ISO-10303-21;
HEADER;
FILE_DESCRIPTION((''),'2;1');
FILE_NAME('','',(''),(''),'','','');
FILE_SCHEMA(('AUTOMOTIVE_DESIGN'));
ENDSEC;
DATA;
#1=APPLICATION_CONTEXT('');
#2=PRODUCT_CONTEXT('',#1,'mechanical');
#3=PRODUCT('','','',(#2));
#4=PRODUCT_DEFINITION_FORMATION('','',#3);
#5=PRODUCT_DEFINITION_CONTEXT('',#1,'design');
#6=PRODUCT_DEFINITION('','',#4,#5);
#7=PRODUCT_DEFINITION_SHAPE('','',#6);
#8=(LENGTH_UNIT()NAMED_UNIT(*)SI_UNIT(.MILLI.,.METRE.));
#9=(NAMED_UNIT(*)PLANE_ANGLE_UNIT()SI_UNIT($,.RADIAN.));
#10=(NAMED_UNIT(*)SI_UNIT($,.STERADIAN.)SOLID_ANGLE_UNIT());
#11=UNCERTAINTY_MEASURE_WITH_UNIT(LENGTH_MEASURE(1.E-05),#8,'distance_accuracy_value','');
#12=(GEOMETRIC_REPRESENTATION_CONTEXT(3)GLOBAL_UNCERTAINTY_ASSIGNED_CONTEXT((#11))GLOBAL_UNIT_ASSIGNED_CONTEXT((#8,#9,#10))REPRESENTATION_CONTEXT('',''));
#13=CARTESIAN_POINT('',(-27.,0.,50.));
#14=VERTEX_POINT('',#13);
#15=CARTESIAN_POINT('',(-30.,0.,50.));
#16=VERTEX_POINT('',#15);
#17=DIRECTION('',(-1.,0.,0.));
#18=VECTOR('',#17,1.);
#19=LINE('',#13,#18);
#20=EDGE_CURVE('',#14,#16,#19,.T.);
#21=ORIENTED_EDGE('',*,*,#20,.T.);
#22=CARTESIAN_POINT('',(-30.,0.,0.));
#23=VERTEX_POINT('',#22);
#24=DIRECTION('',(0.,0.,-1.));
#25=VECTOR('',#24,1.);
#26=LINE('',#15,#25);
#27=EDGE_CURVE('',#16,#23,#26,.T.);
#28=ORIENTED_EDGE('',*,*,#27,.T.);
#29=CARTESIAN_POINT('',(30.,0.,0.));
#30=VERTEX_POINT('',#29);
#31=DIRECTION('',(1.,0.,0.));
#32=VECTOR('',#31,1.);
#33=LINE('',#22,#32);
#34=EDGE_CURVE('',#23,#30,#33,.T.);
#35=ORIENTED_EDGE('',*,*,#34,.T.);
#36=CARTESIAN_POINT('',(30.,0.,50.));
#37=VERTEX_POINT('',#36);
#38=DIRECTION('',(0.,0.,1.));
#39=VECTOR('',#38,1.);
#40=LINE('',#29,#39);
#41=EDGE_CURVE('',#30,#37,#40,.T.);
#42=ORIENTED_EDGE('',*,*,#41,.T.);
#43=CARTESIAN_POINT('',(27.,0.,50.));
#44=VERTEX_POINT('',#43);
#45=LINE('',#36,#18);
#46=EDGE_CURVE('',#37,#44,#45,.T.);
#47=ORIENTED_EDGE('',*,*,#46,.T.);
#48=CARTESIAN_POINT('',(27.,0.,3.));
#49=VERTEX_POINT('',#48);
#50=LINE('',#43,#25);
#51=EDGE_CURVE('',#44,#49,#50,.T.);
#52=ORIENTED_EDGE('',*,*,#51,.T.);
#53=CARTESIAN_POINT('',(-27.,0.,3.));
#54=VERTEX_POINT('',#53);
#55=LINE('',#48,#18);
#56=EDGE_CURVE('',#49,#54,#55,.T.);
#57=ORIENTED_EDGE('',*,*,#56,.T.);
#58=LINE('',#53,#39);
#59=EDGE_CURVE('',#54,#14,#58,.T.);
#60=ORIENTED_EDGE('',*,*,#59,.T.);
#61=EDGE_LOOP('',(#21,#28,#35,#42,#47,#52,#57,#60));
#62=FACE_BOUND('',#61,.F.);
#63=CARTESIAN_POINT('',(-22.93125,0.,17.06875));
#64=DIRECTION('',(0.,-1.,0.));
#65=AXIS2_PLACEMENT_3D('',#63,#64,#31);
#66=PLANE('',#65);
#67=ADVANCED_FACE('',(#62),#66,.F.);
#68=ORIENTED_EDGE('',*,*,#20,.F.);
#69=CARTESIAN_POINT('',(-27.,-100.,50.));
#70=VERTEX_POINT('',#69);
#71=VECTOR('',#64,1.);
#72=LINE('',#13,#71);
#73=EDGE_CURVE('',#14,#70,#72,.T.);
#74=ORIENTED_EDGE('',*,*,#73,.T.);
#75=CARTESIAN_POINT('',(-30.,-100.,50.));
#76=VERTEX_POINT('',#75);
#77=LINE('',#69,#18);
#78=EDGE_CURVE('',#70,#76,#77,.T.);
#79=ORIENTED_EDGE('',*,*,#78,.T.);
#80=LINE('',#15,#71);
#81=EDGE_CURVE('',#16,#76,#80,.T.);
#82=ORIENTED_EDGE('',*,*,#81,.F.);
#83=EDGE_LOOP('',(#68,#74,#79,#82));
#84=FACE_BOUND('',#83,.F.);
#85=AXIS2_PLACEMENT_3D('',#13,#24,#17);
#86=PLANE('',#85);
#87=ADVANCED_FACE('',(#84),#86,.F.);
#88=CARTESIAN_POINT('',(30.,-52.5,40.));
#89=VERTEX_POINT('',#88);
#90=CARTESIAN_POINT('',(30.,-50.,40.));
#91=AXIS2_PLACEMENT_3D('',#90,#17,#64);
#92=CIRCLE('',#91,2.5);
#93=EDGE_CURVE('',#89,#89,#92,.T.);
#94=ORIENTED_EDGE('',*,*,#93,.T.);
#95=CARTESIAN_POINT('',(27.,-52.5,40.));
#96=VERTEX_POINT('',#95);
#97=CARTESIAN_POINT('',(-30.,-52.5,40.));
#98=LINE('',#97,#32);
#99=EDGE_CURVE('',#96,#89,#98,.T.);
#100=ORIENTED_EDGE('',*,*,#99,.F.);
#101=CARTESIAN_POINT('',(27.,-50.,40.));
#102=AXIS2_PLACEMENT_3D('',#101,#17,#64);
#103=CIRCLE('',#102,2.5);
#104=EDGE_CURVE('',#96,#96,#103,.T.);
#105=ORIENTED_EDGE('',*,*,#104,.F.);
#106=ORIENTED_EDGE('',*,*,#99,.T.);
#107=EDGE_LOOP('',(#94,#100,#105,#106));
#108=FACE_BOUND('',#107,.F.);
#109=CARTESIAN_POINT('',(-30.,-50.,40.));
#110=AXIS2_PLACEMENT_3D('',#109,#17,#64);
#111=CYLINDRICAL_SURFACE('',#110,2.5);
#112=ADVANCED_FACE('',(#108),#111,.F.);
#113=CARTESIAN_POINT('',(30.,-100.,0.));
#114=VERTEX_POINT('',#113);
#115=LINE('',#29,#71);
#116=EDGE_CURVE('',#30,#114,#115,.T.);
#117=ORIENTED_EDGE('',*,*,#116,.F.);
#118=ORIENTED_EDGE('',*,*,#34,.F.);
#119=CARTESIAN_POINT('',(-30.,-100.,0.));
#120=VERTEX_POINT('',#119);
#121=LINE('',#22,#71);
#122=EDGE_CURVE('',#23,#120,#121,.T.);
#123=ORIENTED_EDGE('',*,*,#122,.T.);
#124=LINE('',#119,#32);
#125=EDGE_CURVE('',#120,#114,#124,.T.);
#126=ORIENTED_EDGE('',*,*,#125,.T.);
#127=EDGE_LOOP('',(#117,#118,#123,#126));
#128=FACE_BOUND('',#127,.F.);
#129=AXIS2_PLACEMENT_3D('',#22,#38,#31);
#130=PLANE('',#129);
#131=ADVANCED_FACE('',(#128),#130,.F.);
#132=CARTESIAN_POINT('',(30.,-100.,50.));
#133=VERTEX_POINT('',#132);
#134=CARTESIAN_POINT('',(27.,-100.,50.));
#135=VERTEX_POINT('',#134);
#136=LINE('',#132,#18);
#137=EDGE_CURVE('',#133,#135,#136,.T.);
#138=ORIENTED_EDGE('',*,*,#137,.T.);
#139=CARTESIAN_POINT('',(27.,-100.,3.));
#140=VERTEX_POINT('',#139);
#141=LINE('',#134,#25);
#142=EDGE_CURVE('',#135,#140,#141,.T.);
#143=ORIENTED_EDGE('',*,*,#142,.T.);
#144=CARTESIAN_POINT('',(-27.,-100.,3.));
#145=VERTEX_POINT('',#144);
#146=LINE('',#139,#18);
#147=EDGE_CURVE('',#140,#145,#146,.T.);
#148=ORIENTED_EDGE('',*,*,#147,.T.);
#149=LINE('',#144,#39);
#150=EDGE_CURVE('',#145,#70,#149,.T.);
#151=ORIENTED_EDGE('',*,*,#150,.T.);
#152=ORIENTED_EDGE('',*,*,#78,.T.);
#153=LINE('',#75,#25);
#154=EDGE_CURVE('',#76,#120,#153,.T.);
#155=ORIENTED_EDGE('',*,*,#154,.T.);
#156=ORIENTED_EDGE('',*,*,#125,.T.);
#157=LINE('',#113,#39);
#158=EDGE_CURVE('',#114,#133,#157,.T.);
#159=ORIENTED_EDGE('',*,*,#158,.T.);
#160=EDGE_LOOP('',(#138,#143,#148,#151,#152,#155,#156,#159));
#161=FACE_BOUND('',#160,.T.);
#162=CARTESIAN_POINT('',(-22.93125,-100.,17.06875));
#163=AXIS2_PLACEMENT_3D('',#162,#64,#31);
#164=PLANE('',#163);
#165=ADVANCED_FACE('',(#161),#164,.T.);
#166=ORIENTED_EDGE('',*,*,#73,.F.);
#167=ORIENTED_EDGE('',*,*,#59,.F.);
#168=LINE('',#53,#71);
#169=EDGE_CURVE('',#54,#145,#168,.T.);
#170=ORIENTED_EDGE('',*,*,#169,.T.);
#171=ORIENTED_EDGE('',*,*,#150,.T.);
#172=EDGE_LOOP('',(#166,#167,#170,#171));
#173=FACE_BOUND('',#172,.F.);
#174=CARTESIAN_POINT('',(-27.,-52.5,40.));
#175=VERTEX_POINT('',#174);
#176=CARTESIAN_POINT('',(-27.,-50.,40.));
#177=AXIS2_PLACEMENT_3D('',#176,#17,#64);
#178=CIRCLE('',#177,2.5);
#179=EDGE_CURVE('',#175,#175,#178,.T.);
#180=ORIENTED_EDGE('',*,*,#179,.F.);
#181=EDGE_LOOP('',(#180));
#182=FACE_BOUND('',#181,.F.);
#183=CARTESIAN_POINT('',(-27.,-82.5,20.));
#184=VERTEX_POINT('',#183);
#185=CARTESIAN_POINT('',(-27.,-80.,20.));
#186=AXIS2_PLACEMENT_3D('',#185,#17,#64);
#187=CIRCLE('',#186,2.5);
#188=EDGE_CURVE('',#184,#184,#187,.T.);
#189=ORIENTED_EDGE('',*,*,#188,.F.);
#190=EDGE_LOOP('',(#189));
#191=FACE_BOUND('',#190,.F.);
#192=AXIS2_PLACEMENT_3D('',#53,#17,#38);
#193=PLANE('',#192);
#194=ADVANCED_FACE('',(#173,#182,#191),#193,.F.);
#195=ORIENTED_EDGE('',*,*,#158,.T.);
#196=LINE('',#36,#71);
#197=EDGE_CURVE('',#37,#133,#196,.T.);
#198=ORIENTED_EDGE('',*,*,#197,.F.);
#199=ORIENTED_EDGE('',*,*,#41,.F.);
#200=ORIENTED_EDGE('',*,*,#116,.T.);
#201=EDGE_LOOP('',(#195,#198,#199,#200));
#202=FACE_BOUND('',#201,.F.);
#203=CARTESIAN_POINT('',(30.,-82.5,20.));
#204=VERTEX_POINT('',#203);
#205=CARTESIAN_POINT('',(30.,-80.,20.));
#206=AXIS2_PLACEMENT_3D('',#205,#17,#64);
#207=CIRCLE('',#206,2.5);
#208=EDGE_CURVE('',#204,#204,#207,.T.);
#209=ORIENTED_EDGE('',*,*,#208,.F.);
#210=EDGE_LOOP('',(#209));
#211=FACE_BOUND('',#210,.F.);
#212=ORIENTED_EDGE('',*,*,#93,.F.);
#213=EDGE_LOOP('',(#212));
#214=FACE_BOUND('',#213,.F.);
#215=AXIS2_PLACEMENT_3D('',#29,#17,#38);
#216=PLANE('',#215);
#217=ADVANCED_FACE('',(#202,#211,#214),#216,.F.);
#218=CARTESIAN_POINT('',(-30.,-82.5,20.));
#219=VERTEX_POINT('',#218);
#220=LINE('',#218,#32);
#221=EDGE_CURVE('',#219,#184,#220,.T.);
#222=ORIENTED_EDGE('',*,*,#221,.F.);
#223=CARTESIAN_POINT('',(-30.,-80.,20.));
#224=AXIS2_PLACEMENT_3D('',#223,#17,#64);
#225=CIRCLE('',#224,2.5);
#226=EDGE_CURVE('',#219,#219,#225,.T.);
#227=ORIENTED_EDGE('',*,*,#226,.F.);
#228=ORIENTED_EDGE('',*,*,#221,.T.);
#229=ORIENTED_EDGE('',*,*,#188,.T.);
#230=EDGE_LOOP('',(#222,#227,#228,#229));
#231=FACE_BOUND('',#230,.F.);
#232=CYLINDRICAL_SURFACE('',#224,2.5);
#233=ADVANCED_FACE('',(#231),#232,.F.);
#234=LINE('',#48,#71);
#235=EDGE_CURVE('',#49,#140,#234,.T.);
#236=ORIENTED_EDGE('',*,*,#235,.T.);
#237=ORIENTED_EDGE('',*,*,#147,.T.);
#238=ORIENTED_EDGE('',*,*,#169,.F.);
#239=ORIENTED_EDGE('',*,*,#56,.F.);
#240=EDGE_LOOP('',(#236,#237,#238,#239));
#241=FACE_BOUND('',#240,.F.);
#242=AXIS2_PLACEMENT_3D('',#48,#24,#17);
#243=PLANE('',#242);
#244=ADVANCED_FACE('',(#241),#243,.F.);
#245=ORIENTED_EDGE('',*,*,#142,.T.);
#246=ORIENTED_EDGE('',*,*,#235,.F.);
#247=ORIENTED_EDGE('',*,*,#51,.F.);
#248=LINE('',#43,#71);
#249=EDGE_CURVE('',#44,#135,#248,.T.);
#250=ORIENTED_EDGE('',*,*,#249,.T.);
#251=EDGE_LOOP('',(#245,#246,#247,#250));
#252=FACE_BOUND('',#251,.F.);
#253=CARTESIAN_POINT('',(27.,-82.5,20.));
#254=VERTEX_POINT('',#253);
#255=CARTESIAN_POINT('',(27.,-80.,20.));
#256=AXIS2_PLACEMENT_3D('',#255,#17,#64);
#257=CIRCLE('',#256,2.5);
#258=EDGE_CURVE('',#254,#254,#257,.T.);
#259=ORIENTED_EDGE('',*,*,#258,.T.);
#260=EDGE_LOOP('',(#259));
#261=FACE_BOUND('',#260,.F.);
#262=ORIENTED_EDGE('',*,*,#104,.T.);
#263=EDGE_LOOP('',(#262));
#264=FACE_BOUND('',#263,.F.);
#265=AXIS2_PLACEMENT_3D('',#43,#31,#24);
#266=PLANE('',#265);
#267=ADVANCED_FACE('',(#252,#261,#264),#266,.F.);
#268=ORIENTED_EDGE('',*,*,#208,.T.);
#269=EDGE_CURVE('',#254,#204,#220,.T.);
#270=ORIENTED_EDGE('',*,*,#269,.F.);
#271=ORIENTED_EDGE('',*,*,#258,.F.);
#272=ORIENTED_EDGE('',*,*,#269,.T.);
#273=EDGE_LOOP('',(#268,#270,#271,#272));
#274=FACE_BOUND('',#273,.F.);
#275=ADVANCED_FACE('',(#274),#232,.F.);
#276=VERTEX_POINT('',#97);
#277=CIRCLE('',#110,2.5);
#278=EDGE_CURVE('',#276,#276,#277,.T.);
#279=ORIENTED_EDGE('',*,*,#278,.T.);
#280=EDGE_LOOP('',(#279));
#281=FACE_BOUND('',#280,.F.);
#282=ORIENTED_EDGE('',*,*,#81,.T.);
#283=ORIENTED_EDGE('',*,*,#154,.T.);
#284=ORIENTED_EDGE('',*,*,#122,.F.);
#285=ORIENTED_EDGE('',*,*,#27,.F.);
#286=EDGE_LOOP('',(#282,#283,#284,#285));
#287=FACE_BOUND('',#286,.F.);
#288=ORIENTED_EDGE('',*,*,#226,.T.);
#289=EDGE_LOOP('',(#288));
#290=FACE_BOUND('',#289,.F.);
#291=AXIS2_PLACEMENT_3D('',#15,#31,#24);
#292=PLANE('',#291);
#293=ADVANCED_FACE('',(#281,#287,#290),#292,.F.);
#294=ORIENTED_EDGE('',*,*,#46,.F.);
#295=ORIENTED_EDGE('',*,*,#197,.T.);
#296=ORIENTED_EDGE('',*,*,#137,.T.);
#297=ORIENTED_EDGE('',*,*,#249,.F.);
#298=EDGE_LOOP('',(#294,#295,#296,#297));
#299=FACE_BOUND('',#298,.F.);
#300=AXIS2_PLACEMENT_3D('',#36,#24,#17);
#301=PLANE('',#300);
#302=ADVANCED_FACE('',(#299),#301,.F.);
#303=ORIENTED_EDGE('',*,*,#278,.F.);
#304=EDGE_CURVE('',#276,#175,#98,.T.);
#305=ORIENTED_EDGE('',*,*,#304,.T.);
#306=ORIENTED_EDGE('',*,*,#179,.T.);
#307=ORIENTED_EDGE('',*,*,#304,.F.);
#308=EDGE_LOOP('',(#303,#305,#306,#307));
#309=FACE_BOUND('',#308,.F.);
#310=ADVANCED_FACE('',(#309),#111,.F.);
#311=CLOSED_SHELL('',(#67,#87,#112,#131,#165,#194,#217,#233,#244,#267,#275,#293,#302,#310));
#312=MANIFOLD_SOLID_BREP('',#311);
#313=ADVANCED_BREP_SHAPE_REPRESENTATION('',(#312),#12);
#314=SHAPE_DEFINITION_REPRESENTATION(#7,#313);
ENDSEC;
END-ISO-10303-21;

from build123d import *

# Parameters (mm, degrees)
F1_DEPTH = 100
F2_R     = 2.5
F3_DEPTH = 60.001


with BuildPart() as f1:
    # F0 (on Front) → F1 (new body)
    with BuildSketch(Plane.XZ):
        Polygon((-30, 0), (0, 0), (0, 3), (-27, 3), (-27, 50), (-30, 50), align=None)
        Polygon((0, 3), (0, 0), (30, 0), (30, 50), (27, 50), (27, 3), align=None)
    extrude(amount=F1_DEPTH)

    # F2 (on face) → F3 (cut, through all)
    with BuildSketch(Plane(origin=(-30, 0, 0), x_dir=(0, -1, 0), z_dir=(-1, 0, 0))):
        with Locations((80, 20)):
            Circle(F2_R)
        with Locations((50, 40)):
            Circle(F2_R)
    extrude(amount=-F3_DEPTH, mode=Mode.SUBTRACT)


solid = f1.part
